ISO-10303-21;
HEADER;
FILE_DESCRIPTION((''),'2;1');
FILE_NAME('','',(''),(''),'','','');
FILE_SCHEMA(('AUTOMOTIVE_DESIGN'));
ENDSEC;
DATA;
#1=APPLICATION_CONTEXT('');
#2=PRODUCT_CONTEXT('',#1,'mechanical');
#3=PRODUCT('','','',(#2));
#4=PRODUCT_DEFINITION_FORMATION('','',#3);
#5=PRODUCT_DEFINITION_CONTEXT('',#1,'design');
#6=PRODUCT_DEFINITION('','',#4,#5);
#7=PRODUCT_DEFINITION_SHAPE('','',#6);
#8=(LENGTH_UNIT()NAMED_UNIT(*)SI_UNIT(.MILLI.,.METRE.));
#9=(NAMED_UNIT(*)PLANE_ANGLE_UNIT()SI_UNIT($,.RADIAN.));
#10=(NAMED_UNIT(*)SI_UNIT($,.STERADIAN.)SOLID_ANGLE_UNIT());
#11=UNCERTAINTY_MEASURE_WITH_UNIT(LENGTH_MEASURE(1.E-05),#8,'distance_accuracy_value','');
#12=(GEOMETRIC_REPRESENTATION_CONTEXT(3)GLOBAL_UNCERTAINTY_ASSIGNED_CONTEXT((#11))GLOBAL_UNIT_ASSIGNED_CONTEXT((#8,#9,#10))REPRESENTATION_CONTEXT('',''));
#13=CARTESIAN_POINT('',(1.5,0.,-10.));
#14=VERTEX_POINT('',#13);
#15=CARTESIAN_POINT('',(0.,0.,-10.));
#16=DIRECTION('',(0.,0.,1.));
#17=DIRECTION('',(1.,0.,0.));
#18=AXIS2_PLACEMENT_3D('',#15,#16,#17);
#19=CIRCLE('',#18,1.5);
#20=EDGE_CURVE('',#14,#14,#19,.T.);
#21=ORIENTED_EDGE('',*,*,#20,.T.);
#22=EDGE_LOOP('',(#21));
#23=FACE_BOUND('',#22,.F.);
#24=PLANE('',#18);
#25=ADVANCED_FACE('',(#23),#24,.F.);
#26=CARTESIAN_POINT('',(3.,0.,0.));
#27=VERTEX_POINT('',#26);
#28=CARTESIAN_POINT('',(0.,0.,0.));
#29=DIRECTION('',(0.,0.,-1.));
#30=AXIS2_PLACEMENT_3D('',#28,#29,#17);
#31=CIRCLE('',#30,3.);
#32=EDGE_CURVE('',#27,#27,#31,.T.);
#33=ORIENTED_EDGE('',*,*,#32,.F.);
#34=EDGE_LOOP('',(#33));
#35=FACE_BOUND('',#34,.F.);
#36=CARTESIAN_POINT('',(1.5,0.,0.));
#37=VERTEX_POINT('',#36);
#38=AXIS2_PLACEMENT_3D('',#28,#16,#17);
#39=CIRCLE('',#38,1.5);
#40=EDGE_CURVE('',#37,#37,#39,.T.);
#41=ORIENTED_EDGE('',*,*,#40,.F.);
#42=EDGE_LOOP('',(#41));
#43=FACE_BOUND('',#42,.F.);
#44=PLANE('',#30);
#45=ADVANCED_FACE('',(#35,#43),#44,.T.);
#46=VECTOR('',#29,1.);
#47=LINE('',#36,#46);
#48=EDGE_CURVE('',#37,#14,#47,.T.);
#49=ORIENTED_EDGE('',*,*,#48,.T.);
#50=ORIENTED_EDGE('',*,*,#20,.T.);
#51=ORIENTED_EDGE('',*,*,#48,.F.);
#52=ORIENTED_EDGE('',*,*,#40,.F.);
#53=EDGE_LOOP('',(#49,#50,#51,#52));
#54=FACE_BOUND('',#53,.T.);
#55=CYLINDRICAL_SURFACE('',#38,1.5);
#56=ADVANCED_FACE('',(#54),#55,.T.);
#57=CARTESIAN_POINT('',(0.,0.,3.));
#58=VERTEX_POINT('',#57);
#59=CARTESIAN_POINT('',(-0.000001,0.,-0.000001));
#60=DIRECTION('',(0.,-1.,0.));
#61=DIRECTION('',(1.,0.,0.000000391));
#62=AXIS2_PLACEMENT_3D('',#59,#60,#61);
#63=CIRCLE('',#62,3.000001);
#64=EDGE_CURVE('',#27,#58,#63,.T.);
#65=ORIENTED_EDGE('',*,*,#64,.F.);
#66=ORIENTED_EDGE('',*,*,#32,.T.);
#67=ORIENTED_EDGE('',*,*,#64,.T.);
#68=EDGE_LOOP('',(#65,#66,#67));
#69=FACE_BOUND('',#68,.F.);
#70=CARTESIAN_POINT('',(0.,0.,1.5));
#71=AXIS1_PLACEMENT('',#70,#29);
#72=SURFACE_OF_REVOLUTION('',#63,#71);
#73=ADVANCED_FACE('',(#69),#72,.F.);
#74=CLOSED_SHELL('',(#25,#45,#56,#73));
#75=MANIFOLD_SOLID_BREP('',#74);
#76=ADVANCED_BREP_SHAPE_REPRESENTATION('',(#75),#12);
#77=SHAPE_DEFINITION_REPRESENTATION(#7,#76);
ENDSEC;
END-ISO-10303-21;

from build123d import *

# Parameters (mm, degrees)
F0_R     = 1.5
F1_DEPTH = 10


with BuildPart() as f1:
    # F0 (on Top) → F1 (new body)
    with BuildSketch(Plane.XY):
        Circle(F0_R)
    extrude(amount=-F1_DEPTH)

    # F2 (on Front) → F3 (revolve)
    with BuildSketch(Plane.XZ):
        with BuildLine():
            Line((0, 0), (3, 0))
            ThreePointArc((3, 0), (2.12132, 2.12132), (0, 3))
            Line((0, 3), (0, 0))
        make_face()
    revolve(axis=Axis((0, 0, 1.5), (0, 0, -1)))


solid = f1.part
